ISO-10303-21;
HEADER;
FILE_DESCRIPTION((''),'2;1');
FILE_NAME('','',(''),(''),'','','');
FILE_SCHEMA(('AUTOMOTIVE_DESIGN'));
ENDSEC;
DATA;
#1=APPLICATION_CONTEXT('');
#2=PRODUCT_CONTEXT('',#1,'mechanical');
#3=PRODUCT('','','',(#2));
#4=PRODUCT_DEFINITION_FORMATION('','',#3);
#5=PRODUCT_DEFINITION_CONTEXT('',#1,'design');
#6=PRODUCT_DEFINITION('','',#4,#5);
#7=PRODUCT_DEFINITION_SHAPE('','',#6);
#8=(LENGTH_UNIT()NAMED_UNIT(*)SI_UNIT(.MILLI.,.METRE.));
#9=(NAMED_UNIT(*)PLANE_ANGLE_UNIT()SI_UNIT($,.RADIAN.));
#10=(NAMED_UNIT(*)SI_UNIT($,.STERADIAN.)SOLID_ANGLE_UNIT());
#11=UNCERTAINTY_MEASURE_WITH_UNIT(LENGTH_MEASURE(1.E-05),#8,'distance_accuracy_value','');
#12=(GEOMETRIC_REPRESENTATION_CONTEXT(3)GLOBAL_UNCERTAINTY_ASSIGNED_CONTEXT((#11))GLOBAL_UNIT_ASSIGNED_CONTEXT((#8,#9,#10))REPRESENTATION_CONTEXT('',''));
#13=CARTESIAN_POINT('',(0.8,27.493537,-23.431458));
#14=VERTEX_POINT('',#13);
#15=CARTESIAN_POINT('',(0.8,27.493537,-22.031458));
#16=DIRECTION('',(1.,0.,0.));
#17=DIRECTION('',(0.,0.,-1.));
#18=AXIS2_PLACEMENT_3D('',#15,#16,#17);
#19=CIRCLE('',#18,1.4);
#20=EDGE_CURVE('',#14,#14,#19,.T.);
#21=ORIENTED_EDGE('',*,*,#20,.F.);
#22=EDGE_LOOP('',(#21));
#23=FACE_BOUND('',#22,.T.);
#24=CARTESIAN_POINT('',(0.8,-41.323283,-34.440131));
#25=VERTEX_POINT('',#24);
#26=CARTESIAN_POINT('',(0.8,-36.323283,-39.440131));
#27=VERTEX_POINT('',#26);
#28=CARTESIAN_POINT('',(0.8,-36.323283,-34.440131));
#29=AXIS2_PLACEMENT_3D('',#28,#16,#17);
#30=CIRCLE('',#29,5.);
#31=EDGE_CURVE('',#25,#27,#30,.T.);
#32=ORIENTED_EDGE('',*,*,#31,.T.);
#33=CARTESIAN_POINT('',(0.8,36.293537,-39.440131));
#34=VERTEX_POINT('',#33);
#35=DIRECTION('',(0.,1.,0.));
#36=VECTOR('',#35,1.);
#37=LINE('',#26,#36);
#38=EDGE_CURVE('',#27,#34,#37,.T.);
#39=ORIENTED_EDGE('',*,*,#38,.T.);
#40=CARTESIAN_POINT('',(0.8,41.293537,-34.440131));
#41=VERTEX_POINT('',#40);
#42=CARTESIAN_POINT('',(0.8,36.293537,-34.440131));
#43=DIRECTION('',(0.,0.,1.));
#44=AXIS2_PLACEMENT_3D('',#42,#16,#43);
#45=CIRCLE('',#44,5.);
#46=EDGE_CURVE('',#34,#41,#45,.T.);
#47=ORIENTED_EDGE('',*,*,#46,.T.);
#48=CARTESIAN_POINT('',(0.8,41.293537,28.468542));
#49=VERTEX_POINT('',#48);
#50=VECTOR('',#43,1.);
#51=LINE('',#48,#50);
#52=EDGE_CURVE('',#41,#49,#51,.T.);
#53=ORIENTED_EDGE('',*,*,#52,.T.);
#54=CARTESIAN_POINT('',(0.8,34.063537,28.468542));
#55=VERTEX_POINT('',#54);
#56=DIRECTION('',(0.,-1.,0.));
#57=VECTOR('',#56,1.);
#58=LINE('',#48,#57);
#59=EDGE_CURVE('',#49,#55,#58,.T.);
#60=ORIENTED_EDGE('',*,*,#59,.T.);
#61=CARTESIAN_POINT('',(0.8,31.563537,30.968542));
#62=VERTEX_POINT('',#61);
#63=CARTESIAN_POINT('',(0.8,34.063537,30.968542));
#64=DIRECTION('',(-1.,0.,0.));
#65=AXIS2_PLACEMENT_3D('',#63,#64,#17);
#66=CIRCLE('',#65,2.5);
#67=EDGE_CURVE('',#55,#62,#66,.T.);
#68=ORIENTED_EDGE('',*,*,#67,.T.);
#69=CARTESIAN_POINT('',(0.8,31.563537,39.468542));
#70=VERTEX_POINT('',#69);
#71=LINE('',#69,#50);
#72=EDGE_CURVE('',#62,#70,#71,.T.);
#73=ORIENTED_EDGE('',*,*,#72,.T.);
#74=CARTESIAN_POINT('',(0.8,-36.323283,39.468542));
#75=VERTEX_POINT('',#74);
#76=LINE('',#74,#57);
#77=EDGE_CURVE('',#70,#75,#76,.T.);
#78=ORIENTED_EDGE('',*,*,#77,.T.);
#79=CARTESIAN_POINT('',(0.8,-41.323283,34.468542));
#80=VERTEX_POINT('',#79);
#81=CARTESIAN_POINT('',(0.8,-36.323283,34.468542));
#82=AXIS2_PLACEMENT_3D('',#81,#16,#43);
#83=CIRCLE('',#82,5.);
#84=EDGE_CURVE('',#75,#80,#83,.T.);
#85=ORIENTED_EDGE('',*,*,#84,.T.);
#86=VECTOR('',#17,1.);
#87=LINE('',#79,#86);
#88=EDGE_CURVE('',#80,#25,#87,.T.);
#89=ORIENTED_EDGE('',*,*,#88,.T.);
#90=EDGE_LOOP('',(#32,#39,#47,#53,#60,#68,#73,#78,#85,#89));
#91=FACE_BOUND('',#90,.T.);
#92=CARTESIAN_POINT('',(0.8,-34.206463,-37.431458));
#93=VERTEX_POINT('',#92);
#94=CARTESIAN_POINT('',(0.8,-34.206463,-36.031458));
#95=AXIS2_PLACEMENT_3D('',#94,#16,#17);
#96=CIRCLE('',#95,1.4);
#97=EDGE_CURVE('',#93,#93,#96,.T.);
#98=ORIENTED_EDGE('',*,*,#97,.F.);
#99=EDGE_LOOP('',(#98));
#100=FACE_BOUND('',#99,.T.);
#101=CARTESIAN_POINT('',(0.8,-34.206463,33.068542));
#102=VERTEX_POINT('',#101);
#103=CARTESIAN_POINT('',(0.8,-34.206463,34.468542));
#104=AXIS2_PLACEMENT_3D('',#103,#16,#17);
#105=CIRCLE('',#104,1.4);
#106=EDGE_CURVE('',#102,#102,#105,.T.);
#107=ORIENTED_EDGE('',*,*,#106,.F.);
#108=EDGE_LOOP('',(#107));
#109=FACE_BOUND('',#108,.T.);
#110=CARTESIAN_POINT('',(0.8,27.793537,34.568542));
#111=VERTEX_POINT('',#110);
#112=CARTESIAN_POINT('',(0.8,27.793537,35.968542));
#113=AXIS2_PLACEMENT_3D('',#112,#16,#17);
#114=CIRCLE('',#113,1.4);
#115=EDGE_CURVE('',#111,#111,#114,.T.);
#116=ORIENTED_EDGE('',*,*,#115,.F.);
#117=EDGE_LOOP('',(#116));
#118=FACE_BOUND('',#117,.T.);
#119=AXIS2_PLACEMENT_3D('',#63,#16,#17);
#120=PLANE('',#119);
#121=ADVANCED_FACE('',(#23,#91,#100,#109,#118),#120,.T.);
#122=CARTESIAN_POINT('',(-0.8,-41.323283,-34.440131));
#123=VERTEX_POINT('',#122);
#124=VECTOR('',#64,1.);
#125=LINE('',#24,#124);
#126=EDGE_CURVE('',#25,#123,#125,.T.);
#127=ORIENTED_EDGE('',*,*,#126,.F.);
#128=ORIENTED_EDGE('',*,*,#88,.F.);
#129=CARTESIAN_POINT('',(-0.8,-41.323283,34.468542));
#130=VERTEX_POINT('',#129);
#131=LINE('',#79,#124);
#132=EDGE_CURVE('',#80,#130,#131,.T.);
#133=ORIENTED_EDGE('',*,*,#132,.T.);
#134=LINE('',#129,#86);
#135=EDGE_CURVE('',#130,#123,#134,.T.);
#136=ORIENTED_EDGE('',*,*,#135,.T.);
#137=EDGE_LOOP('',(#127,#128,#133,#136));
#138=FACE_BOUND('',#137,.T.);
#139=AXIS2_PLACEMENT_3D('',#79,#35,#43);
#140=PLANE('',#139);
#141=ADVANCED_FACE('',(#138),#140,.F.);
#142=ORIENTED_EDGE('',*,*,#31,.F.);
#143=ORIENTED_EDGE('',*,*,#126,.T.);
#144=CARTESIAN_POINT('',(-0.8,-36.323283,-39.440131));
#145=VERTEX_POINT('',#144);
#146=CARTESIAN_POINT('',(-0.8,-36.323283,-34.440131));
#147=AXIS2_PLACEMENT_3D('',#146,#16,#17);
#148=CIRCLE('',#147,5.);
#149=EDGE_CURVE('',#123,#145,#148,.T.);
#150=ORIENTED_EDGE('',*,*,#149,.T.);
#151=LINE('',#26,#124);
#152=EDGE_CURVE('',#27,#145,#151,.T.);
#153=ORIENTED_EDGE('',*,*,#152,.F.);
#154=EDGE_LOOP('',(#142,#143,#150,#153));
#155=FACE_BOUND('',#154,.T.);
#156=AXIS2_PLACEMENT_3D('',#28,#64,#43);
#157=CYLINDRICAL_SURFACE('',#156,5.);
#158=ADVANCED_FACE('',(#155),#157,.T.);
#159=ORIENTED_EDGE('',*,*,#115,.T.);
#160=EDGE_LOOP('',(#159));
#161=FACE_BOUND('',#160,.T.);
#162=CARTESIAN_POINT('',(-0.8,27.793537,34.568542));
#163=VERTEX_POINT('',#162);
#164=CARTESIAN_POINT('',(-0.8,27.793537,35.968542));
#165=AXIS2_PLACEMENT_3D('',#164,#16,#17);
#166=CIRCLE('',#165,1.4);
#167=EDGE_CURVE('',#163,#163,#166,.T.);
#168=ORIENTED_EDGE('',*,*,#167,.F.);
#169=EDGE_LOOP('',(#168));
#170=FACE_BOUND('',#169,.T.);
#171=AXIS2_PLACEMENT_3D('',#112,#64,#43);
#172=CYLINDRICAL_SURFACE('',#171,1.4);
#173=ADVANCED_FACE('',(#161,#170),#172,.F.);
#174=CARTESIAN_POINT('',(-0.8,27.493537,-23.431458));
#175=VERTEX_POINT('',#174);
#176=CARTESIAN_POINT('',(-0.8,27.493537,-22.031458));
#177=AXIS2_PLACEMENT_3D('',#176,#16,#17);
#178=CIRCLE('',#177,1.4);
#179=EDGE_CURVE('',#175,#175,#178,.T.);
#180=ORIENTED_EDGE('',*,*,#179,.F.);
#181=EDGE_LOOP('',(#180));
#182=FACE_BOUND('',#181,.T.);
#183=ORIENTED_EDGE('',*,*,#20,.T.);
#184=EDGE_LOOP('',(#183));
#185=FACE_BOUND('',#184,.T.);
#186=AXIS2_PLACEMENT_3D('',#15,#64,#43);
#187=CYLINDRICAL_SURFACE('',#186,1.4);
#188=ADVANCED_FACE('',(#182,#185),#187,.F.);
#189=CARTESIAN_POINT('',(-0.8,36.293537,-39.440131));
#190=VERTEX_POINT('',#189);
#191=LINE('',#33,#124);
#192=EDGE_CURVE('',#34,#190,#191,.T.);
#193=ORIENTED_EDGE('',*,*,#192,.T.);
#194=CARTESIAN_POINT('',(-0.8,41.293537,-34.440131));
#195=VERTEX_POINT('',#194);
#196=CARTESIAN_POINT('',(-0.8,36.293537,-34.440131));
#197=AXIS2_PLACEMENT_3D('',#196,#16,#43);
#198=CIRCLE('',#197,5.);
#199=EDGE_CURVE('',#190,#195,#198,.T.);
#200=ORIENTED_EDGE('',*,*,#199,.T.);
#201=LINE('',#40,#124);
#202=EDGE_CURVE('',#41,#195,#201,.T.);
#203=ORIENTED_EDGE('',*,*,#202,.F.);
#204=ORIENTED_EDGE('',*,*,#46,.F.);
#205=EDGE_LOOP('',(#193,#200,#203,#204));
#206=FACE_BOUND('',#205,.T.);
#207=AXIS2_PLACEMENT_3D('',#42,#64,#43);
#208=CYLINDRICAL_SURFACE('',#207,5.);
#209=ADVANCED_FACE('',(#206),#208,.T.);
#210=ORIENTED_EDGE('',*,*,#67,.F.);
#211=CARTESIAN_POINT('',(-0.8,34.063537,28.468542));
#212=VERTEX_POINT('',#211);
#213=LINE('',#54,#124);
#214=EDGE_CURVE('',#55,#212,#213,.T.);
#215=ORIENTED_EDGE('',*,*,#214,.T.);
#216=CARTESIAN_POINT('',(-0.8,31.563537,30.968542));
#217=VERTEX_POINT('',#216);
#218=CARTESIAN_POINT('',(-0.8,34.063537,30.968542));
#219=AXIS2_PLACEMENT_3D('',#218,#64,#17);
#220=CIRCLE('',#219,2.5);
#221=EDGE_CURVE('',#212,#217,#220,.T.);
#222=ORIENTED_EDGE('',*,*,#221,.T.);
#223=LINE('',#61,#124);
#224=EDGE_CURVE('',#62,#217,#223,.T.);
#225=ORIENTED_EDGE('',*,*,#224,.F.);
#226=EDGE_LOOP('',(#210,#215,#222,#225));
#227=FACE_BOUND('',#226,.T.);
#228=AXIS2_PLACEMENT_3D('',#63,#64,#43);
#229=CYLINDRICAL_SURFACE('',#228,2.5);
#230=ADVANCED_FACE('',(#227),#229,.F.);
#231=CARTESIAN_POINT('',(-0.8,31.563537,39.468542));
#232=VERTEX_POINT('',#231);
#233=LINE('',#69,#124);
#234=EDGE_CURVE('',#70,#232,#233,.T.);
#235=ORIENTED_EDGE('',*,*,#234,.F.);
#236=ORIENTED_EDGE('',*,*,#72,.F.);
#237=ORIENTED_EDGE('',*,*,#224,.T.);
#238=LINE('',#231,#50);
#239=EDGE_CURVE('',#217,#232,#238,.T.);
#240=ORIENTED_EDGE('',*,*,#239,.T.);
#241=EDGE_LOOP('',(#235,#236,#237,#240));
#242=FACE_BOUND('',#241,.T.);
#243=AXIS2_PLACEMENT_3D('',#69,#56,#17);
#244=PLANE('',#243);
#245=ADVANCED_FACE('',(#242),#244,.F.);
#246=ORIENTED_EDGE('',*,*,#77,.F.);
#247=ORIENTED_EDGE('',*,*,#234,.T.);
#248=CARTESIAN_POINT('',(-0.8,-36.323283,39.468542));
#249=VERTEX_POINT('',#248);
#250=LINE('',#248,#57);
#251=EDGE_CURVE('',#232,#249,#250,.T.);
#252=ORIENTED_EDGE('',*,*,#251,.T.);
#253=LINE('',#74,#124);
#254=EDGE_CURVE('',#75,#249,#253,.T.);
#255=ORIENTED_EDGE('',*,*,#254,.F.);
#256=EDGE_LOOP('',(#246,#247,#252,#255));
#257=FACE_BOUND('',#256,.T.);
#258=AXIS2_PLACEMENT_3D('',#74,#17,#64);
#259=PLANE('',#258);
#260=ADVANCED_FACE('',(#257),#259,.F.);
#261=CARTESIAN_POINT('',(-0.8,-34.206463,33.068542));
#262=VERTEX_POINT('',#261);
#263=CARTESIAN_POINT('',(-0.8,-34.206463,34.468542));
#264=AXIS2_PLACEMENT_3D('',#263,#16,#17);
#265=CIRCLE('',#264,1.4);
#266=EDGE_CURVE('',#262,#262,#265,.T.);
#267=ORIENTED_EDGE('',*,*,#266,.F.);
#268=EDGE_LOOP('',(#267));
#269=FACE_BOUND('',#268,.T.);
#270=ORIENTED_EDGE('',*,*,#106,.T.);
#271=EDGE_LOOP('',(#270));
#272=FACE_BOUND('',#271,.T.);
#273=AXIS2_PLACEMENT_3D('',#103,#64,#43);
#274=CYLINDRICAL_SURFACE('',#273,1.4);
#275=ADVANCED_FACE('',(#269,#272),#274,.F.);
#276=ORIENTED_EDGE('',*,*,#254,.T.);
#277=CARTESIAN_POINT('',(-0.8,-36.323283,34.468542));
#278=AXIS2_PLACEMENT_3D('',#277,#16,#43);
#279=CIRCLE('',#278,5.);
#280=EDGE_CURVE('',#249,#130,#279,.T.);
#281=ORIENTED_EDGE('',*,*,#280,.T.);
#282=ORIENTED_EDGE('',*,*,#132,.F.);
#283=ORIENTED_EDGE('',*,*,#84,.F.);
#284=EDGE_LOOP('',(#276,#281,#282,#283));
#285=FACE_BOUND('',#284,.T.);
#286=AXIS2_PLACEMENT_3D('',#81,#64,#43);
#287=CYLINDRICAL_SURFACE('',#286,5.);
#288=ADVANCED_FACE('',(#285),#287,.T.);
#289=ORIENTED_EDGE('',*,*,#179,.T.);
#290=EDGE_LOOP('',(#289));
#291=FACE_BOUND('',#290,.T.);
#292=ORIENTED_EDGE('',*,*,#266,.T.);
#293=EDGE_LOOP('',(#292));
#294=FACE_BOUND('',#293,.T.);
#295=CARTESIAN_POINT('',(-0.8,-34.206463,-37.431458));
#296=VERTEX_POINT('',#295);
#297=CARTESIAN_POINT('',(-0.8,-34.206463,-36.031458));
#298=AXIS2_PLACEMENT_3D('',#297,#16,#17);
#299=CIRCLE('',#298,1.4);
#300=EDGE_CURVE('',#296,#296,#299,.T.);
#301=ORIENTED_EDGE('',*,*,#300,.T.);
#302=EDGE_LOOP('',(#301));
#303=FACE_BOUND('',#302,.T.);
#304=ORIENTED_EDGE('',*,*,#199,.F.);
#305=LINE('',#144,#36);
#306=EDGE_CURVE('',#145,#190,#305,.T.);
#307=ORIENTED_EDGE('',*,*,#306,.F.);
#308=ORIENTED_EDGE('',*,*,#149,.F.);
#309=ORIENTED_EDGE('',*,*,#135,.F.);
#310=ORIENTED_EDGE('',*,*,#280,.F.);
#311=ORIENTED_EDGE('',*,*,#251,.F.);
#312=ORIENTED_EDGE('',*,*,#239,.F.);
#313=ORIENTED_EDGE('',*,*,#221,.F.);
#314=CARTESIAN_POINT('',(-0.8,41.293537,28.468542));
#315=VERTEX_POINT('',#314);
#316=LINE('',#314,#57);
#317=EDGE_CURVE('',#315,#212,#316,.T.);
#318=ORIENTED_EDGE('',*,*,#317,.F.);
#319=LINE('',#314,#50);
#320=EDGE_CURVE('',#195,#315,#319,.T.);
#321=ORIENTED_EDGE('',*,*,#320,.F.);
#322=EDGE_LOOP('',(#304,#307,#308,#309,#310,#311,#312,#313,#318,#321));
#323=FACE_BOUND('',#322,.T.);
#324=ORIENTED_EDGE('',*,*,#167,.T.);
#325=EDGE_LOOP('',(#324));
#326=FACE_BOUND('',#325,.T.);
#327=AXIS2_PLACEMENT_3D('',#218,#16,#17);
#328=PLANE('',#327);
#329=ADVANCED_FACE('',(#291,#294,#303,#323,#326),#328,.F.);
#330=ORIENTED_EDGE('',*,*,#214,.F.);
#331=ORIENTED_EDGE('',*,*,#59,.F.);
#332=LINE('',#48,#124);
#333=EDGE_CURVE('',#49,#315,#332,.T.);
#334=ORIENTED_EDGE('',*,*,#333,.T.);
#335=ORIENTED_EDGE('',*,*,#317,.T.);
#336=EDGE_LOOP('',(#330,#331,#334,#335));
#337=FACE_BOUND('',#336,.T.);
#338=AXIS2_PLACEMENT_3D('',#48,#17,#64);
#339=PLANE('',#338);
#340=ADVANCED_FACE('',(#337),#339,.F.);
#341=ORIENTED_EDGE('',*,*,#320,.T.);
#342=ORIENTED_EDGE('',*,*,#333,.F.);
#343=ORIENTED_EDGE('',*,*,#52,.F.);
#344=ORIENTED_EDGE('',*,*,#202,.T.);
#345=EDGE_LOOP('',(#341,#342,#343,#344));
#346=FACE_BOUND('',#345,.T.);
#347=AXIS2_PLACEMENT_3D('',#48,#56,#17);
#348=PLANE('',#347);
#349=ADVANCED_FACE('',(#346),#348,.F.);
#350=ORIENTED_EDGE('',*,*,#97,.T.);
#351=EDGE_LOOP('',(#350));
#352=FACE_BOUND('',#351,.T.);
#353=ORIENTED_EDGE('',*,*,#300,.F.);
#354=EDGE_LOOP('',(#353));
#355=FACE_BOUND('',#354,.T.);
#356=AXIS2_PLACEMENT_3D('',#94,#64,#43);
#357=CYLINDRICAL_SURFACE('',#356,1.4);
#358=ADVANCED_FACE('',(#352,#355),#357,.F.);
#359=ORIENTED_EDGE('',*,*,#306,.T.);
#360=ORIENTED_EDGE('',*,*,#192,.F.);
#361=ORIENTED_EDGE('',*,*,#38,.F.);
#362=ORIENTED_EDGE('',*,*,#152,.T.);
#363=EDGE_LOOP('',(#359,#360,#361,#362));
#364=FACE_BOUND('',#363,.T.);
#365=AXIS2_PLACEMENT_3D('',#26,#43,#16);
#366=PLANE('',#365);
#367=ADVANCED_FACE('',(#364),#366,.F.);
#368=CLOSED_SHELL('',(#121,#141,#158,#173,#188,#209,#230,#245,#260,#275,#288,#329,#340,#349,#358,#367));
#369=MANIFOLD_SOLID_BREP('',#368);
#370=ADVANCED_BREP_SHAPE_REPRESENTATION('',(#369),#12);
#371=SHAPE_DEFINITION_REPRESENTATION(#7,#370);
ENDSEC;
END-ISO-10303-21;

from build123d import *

# Parameters (mm, degrees)
SKETCH1_R           = 1.4
BOSS_EXTRUDE1_DEPTH = 0.8


with BuildPart() as part:
    # Sketch1 → Boss-Extrude1 (new, symmetric)
    with BuildSketch(Plane(origin=(0, 0, 0), x_dir=(0, 0, -1), z_dir=(1, 0, 0))):
        with BuildLine():
            Line((-34.468542217, -41.323283133), (34.440131171, -41.323283133))
            ThreePointArc((34.440131171, -41.323283133), (37.975665077, -39.858817038), (39.440131171, -36.323283133))
            Line((39.440131171, -36.323283133), (39.440131171, 36.293536969))
            ThreePointArc((39.440131171, 36.293536969), (37.975665077, 39.829070875), (34.440131171, 41.293536969))
            Line((34.440131171, 41.293536969), (-28.468542217, 41.293536969))
            Line((-28.468542217, 41.293536969), (-28.468542217, 34.063536969))
            ThreePointArc((-28.468542217, 34.063536969), (-29.200775264, 32.295770016), (-30.968542217, 31.563536969))
            Line((-30.968542217, 31.563536969), (-39.468542217, 31.563536969))
            Line((-39.468542217, 31.563536969), (-39.468542217, -36.323283133))
            ThreePointArc((-39.468542217, -36.323283133), (-38.004076123, -39.858817038), (-34.468542217, -41.323283133))
        make_face()
        with Locations((-35.968542217, 27.793536969)):
            Circle(SKETCH1_R, mode=Mode.SUBTRACT)
        with Locations((22.031457783, 27.493536969)):
            Circle(SKETCH1_R, mode=Mode.SUBTRACT)
        with Locations((-34.468542217, -34.206463031)):
            Circle(SKETCH1_R, mode=Mode.SUBTRACT)
        with Locations((36.031457783, -34.206463031)):
            Circle(SKETCH1_R, mode=Mode.SUBTRACT)
    extrude(amount=BOSS_EXTRUDE1_DEPTH, both=True)


solid = part.part
